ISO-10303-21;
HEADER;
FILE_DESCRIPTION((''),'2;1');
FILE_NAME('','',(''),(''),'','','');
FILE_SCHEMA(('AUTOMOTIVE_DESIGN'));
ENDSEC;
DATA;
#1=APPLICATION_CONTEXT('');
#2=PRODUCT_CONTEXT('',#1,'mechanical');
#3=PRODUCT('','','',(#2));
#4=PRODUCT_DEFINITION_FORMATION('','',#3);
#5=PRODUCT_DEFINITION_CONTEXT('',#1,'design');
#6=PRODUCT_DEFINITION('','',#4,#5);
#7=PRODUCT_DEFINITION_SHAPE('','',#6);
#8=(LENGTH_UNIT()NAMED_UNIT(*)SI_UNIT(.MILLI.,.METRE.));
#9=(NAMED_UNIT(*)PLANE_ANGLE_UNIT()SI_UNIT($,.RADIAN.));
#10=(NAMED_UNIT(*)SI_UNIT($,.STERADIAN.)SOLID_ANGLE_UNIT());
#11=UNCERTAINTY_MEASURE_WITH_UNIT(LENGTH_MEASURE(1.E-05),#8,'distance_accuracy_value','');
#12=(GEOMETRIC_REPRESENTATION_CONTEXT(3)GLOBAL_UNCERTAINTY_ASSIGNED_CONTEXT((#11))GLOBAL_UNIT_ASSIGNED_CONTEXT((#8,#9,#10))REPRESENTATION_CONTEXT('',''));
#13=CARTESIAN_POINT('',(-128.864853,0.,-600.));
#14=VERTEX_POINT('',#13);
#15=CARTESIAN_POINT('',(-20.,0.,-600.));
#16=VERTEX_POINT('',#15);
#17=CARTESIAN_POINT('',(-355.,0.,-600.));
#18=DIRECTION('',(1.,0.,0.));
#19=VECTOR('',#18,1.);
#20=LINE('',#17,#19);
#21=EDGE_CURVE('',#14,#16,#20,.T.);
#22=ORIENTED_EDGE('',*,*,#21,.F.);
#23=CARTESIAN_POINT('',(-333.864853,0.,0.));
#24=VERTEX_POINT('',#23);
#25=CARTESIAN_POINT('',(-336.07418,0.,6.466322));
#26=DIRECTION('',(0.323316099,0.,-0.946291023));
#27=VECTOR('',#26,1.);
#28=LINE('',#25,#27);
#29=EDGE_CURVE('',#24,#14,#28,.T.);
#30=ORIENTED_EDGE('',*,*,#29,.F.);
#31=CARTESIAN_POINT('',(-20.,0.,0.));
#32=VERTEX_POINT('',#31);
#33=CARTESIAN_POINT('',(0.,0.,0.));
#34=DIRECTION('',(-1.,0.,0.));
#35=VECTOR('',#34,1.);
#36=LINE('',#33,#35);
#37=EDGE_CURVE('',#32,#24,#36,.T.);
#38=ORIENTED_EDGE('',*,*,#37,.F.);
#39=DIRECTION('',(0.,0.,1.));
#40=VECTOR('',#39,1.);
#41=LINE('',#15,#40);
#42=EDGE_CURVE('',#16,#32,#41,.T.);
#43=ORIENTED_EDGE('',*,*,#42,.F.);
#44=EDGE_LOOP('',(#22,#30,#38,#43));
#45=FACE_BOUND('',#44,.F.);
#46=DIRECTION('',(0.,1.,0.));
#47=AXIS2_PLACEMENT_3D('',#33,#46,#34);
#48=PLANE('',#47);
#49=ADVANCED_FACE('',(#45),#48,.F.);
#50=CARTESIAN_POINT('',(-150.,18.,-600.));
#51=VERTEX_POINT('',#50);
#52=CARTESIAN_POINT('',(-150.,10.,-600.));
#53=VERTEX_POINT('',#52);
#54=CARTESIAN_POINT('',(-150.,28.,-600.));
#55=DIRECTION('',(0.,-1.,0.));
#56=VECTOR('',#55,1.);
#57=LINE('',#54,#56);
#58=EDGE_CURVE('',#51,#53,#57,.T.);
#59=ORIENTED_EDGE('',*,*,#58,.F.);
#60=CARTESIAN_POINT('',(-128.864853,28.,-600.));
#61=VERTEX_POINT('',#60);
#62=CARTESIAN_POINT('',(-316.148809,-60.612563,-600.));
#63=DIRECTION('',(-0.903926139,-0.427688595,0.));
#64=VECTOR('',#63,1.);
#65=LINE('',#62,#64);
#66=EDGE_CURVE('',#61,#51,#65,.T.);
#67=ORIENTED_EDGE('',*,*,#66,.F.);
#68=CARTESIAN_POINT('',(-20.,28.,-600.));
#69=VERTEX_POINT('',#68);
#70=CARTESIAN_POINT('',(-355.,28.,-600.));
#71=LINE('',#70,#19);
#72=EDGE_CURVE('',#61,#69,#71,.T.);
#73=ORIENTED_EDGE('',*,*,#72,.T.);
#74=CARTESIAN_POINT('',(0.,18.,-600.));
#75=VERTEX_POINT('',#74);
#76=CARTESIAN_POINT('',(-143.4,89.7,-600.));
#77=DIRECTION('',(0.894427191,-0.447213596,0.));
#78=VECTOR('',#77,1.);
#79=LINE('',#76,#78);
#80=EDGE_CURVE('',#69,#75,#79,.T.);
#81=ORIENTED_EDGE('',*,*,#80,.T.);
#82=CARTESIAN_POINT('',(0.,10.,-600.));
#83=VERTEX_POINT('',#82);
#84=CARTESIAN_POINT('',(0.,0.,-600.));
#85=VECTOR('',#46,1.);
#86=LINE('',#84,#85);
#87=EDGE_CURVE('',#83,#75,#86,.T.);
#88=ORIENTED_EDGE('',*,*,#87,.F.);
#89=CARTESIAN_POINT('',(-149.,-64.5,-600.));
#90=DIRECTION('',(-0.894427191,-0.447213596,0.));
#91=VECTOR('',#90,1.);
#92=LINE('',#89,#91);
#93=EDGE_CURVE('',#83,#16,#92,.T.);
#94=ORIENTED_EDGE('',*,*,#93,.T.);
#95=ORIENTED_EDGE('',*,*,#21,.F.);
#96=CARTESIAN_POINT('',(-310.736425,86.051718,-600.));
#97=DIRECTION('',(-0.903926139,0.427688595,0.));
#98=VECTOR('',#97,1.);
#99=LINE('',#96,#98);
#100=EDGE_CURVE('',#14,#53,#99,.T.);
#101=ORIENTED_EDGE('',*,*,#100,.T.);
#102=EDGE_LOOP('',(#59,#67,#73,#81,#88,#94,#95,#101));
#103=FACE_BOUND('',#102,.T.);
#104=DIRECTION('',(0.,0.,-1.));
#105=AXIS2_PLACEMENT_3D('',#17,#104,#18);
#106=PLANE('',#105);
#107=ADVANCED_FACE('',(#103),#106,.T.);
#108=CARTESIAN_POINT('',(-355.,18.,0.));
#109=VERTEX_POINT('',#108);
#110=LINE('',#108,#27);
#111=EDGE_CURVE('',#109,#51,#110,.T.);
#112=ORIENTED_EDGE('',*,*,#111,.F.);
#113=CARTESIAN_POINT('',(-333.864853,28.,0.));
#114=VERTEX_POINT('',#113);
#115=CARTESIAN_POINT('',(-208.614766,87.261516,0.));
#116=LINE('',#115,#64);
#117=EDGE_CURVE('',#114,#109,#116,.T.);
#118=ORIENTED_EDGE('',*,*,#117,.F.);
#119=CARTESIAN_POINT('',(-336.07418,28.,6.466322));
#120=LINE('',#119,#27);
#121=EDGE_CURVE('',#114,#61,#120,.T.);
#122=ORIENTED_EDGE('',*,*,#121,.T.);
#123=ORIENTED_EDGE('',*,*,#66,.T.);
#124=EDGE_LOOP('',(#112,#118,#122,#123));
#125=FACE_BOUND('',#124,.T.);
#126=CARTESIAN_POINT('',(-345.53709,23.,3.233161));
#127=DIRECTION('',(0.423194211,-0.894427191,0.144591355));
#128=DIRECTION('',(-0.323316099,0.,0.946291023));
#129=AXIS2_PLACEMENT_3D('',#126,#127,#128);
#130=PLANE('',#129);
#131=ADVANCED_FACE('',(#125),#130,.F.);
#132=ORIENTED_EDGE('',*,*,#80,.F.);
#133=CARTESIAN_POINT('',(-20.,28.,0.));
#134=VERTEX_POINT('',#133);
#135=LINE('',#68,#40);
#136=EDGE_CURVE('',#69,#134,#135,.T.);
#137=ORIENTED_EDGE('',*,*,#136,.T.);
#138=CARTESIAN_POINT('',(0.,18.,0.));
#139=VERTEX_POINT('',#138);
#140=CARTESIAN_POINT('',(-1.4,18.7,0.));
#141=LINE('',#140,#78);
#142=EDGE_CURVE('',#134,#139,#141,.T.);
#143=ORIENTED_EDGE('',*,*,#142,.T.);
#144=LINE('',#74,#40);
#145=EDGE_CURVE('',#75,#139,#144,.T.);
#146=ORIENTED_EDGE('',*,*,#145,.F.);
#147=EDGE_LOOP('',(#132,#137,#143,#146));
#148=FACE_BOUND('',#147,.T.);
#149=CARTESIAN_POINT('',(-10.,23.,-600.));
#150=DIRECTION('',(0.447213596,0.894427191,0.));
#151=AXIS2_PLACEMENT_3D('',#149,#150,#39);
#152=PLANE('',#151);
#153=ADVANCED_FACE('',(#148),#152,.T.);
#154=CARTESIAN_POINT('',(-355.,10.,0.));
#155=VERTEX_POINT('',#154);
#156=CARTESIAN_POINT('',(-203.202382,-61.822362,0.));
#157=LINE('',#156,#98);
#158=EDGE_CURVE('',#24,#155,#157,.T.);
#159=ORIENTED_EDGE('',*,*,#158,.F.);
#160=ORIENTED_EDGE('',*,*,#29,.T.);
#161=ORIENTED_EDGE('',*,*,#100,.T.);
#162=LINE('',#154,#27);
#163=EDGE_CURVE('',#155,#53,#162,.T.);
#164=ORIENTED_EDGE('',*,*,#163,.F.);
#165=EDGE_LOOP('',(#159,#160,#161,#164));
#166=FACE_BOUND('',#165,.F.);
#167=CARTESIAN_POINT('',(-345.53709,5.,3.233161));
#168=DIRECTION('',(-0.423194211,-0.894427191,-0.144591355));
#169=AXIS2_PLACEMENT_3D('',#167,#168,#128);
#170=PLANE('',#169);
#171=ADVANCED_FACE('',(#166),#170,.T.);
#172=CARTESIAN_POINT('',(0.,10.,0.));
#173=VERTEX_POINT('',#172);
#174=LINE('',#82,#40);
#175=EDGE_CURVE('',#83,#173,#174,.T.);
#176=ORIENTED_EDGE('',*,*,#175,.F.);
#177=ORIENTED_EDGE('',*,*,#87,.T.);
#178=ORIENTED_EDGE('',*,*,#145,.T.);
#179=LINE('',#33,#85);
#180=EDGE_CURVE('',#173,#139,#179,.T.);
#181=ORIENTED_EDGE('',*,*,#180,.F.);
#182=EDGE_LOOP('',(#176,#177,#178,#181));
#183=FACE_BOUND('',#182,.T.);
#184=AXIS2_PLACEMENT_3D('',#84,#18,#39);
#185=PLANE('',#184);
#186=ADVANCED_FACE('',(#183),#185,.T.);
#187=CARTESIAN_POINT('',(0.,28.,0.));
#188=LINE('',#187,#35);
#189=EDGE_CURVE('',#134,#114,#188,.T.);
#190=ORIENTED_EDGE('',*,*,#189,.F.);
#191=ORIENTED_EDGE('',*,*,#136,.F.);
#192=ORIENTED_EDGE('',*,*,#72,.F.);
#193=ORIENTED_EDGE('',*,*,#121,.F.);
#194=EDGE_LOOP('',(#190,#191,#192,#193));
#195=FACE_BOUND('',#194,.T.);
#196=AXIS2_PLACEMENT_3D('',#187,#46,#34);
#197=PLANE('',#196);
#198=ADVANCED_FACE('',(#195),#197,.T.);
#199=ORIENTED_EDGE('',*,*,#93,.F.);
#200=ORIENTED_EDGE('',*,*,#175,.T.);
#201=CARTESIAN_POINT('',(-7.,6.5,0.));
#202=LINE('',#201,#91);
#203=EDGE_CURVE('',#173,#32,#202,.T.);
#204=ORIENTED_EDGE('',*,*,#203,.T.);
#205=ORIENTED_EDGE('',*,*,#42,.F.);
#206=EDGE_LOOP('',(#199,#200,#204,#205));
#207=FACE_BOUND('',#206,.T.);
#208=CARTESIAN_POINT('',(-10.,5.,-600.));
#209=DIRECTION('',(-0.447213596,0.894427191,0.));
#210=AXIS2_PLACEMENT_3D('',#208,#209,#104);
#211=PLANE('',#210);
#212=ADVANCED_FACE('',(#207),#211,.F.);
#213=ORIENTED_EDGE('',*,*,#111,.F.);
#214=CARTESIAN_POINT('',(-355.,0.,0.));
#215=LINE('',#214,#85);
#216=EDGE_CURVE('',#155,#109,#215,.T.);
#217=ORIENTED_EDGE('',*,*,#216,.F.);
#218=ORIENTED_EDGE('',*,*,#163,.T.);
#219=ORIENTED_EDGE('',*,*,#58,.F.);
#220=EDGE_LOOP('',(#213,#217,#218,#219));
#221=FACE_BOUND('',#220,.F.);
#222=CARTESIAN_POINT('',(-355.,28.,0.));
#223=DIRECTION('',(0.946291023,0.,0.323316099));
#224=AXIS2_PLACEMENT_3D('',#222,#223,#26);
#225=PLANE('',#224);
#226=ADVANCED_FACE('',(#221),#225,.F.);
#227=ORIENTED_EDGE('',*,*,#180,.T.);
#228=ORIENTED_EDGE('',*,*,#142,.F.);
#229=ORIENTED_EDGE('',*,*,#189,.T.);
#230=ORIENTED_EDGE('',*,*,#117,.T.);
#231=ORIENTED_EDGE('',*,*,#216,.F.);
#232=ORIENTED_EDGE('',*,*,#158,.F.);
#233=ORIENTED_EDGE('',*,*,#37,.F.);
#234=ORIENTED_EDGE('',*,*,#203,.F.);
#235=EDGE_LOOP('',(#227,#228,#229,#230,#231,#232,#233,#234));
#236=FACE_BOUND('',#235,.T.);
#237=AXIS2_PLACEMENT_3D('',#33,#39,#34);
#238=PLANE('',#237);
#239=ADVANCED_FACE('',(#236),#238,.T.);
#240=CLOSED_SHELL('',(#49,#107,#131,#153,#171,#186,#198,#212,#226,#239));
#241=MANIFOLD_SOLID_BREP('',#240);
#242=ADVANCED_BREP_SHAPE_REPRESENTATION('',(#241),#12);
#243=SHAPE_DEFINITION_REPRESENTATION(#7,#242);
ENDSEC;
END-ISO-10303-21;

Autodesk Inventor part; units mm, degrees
ref_plane "YZ Plane" through (0, 0, 0) normal (1, 0, 0) x (0, 1, 0)
ref_plane "XZ Plane" through (0, 0, 0) normal (0, 1, 0) x (-1, 0, 0)
sketch "Sketch1" plane through (0, 0, 0) normal (0, 1, 0) x (-1, 0, 0)
  line L0 (0, 0) -> (355, 0)
  line L1 (355, 0) -> (355, -600)
  line L2 (355, -600) -> (0, -600)
  line L3 (0, -600) -> (0, 0)
  dimension "d0" = 600
  dimension "d1" = 355
extrude "Extrusion1" add sketch "Sketch1" along normal blind 28
sketch "Sketch2" plane through (0, 28, 0) normal (0, 1, 0) x (1, 0, 0)
  line L0 (-355, 600) -> (-355, 0) projected
  line L1 (0, 600) -> (-355, 600) projected
  line L2 (0, 600) -> (-355, 600) projected
  line L3 (-355, 600) -> (-355, 0) projected
  line L4 (-355, 0) -> (0, 0) projected
  line L5 (0, 0) -> (0, 600) projected
  line L6 (-355, 0) -> (-150, 600)
  point P0 (-150, 600)
  dimension "d7" = 150
  dimension "d8" = 0
extrude "Extrusion2" cut sketch "Sketch2" against normal blind 200 contours L1 L6 L0
ref_plane "Work Plane1" through (0, 14, 0) normal (0, 1, 0) x (1, 0, 0)
chamfer "Chamfer1" distance 20 distance2 10 1 edges at (0, 28, -300) measured on face at (-168.3333, 28, -200)
chamfer "Chamfer2" distance 10 distance2 20 1 edges at (0, 0, -300) measured on face at (0, 6, -200)
chamfer "Chamfer3" distance 20 distance2 10 1 edges at (-252.5, 28, -300) measured on face at (-175, 28, -200)
chamfer "Chamfer4" distance 20 distance2 10 1 edges at (-252.5, 0, -300) measured on face at (-175, 0, -200)
properties part number "Foam_wing_V2"
